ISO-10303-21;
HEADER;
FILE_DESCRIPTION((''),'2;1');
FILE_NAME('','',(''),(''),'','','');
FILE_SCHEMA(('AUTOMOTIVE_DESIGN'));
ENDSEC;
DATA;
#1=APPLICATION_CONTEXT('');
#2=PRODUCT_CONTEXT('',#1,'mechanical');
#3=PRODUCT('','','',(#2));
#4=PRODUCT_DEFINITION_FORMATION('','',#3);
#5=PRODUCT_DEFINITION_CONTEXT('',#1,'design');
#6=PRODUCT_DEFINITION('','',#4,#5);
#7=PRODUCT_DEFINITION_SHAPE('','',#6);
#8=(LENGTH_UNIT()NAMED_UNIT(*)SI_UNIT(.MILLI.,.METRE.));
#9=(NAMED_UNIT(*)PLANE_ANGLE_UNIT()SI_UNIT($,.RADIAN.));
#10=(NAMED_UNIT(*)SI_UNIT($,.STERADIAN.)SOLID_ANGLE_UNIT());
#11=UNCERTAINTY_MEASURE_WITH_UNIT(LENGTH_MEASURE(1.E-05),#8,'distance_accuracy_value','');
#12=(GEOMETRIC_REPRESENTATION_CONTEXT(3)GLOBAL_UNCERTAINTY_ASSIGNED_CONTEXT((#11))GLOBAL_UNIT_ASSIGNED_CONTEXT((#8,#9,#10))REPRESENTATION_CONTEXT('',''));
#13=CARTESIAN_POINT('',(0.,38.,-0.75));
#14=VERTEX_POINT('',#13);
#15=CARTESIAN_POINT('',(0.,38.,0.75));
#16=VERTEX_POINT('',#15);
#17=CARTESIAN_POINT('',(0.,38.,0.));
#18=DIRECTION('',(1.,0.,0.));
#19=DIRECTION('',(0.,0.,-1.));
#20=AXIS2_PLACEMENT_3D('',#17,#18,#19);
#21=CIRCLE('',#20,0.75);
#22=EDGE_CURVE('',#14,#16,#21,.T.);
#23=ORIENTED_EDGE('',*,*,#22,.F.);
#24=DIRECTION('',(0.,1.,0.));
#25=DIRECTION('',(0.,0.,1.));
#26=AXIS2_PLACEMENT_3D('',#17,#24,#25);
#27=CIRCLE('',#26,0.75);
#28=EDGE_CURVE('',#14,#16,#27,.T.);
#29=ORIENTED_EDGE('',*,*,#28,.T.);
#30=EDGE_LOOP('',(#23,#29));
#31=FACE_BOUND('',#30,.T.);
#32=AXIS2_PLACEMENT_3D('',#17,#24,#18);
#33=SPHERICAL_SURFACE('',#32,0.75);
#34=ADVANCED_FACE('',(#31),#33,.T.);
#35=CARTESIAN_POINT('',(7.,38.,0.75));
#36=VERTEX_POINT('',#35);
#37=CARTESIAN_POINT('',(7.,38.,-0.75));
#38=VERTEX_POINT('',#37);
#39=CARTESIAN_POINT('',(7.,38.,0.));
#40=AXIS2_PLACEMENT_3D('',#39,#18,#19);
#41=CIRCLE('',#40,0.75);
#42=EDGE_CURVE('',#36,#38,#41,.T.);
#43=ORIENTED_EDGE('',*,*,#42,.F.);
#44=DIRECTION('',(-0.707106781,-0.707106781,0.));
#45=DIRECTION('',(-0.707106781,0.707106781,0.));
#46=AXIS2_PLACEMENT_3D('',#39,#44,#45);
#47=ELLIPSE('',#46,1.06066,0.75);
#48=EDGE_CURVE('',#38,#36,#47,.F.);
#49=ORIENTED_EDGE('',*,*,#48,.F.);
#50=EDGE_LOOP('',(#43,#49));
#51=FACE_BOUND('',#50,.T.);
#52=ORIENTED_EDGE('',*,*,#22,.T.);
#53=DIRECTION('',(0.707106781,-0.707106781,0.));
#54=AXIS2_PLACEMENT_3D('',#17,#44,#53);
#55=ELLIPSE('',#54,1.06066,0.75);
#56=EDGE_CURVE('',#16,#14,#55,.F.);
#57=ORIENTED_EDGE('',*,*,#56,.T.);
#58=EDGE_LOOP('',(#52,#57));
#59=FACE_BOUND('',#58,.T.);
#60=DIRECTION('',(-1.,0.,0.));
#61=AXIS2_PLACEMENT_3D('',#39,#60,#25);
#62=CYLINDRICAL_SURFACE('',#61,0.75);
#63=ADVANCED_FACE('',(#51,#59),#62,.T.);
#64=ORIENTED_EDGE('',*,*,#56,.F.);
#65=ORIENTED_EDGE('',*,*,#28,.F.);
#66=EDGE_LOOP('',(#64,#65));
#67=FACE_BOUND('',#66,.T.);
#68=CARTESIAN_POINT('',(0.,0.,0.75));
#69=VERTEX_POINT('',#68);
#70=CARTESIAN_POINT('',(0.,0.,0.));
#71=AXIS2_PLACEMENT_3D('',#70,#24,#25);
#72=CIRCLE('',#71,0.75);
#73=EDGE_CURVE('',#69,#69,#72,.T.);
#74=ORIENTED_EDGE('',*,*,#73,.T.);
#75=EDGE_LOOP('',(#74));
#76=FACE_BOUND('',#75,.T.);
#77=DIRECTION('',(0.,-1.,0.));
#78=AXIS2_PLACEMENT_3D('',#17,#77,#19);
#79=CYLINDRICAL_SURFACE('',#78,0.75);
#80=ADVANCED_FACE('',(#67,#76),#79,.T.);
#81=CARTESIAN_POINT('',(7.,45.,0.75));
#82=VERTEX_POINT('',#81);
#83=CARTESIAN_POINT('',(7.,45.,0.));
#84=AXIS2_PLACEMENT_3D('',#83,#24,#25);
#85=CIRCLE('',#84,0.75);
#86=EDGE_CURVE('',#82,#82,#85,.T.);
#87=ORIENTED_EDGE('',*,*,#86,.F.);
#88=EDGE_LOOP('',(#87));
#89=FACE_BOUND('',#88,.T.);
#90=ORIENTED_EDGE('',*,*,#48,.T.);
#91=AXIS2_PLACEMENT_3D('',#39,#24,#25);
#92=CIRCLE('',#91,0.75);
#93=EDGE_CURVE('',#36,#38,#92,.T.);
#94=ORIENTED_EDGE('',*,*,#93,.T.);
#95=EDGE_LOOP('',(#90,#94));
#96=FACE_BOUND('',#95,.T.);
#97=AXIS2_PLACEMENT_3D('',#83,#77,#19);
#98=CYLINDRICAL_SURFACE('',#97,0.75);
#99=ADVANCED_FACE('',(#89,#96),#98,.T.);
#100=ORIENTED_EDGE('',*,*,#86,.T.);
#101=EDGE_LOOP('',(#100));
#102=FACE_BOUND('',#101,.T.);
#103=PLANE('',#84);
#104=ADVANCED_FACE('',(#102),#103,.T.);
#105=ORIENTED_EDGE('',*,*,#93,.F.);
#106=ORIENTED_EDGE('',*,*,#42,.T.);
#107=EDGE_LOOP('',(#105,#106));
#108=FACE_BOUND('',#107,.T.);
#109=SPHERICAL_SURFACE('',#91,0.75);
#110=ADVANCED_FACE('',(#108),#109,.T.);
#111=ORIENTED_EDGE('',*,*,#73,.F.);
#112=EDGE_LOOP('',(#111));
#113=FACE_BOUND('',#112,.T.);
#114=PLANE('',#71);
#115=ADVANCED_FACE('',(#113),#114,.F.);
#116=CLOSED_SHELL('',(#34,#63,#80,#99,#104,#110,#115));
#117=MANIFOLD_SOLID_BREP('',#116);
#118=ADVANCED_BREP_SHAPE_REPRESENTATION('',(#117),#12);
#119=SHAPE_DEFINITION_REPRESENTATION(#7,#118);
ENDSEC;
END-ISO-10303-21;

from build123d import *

# Parameters (mm, degrees)
SKETCH_1_R      = 0.75
EXTRUDE_1_DEPTH = 38
SKETCH_3_R      = 0.75
EXTRUDE_2_DEPTH = 7
SKETCH_5_R      = 0.75
EXTRUDE_3_DEPTH = 7


with BuildPart() as part:
    # 草图1 → 凸台-拉伸1 (new body)
    with BuildSketch(Plane(origin=(0, 0, 0), x_dir=(1, 0, 0), z_dir=(0, 1, 0))):
        with Locations(Location((0, 0, 0), (0, 0, 270))):
            Circle(SKETCH_1_R)
    extrude(amount=EXTRUDE_1_DEPTH)

    # 草图2 → 旋转1 (revolve)
    with BuildSketch(Plane.XY):
        with BuildLine():
            Line((0, 38.75), (0, 37.25))
            ThreePointArc((0, 37.25), (0.75, 38), (0, 38.75))
        make_face()
    revolve(axis=Axis((0, 38.75, 0), (0, -1, 0)))

    # 草图3 → 凸台-拉伸2 (add)
    with BuildSketch(Plane(origin=(0, 0, 0), x_dir=(0, 0, -1), z_dir=(1, 0, 0))):
        with Locations((0, 38)):
            Circle(SKETCH_3_R)
    extrude(amount=EXTRUDE_2_DEPTH)

    # 草图4 → 旋转2 (revolve)
    with BuildSketch(Plane(origin=(7, 0, 0), x_dir=(0, 0, -1), z_dir=(1, 0, 0))):
        with BuildLine():
            Line((0, 38.75), (0, 37.25))
            ThreePointArc((0, 37.25), (0.75, 38), (0, 38.75))
        make_face()
    revolve(axis=Axis((7, 38.75, 0), (0, -1, 0)))

    # 草图5 → 凸台-拉伸3 (add)
    with BuildSketch(Plane(origin=(0, 38, 0), x_dir=(1, 0, 0), z_dir=(0, 1, 0))):
        with Locations(Location((7, 0, 0), (0, 0, 270))):
            Circle(SKETCH_5_R)
    extrude(amount=EXTRUDE_3_DEPTH)


solid = part.part
